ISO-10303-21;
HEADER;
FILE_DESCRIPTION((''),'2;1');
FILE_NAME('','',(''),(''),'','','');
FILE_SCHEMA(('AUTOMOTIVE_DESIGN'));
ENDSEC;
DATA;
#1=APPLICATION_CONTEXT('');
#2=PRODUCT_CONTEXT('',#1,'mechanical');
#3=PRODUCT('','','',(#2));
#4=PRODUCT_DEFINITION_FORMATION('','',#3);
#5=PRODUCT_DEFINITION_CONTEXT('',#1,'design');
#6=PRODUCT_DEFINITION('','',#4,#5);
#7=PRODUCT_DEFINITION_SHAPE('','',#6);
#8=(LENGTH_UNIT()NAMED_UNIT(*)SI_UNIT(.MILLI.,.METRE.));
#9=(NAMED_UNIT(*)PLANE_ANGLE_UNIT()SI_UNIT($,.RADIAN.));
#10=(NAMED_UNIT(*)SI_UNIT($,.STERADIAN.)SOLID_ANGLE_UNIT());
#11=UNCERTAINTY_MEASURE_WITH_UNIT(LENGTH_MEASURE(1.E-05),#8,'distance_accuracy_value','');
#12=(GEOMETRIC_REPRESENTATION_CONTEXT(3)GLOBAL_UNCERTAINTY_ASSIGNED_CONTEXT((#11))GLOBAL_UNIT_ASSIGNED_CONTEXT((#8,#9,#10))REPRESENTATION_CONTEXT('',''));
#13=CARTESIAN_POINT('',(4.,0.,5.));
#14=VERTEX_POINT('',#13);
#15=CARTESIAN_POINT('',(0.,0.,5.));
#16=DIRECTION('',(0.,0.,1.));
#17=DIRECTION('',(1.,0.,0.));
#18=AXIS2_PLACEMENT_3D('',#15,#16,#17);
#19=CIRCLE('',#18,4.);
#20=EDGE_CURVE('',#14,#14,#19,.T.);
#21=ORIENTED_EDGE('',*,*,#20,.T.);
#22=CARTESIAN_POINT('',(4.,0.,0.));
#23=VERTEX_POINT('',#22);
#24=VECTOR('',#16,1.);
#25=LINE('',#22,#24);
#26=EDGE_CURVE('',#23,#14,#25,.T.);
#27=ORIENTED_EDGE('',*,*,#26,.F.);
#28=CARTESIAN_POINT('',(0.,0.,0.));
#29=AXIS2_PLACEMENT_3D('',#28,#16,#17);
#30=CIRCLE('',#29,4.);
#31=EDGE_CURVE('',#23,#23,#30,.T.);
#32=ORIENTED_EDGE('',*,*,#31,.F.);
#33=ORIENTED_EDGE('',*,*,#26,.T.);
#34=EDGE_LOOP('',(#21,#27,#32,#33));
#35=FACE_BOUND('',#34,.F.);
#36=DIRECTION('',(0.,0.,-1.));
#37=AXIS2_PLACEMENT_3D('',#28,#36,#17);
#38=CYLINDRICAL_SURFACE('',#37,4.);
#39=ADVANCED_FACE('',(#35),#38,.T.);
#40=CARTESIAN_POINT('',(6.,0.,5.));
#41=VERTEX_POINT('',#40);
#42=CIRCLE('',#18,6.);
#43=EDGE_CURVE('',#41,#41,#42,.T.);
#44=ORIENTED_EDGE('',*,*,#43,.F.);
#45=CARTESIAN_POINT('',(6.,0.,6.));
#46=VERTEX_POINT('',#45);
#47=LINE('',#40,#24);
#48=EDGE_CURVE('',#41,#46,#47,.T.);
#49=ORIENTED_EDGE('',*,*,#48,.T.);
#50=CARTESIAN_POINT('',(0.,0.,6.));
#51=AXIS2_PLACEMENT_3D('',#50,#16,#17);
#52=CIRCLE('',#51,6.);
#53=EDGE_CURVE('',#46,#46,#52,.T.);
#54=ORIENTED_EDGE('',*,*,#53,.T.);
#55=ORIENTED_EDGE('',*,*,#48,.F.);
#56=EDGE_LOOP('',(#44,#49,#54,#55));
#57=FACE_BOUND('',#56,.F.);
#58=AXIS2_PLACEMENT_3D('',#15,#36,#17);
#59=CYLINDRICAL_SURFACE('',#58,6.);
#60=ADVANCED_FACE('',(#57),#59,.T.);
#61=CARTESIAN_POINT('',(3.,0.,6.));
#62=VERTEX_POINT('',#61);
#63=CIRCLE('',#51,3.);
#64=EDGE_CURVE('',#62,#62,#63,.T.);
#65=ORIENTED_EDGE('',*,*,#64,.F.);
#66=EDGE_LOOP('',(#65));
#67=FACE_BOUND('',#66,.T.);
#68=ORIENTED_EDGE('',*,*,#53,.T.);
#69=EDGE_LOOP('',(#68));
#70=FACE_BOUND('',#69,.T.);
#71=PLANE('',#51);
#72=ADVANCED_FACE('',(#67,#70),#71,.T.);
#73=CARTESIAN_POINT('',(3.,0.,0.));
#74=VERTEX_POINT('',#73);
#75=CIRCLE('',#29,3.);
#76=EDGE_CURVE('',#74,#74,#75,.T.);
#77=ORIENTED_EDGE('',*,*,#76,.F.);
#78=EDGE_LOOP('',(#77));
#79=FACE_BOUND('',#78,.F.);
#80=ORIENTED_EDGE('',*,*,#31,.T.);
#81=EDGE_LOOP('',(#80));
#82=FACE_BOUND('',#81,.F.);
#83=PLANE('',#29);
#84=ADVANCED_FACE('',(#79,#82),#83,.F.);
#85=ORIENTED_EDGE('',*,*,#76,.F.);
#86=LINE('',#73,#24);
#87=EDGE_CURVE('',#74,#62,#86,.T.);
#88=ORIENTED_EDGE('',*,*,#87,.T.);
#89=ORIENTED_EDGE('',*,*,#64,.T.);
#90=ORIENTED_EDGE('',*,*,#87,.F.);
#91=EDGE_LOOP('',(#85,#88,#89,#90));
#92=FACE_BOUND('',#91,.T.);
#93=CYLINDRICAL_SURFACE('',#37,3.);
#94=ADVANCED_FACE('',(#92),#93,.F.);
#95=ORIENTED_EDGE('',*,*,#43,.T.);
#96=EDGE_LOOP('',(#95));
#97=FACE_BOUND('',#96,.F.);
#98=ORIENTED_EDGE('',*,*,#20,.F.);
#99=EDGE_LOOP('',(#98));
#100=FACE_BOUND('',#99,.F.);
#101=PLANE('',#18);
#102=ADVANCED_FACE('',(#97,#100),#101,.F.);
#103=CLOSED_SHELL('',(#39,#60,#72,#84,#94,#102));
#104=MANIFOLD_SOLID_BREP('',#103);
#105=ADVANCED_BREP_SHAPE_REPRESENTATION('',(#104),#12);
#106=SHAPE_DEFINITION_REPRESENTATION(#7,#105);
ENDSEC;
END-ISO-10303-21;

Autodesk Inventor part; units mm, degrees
ref_plane "YZ Plane" through (0, 0, 0) normal (1, 0, 0) x (0, 1, 0)
ref_plane "XZ Plane" through (0, 0, 0) normal (0, 1, 0) x (-1, 0, 0)
ref_plane "XY Plane" through (0, 0, 0) normal (0, 0, 1) x (1, 0, 0)
sketch "スケッチ1" plane through (0, 0, 0) normal (0, 0, 1) x (1, 0, 0)
  circle A0 centre (0, 0) radius 3
  circle A1 centre (0, 0) radius 4
  dimension "d0" = 6
  dimension "d1" = 8
extrude "押し出し1" add sketch "スケッチ1" along normal blind 5
sketch "スケッチ2" plane through (0, 0, 5) normal (0, 0, 1) x (1, 0, 0)
  circle A0 centre (0, 0) radius 6
  circle A1 centre (0, 0) radius 3 projected
  dimension "d4" = 12
extrude "押し出し2" add sketch "スケッチ2" along normal blind 1
properties part number "オイレスフランジ付き06080512,1t" material "アセタール樹脂、黒"
